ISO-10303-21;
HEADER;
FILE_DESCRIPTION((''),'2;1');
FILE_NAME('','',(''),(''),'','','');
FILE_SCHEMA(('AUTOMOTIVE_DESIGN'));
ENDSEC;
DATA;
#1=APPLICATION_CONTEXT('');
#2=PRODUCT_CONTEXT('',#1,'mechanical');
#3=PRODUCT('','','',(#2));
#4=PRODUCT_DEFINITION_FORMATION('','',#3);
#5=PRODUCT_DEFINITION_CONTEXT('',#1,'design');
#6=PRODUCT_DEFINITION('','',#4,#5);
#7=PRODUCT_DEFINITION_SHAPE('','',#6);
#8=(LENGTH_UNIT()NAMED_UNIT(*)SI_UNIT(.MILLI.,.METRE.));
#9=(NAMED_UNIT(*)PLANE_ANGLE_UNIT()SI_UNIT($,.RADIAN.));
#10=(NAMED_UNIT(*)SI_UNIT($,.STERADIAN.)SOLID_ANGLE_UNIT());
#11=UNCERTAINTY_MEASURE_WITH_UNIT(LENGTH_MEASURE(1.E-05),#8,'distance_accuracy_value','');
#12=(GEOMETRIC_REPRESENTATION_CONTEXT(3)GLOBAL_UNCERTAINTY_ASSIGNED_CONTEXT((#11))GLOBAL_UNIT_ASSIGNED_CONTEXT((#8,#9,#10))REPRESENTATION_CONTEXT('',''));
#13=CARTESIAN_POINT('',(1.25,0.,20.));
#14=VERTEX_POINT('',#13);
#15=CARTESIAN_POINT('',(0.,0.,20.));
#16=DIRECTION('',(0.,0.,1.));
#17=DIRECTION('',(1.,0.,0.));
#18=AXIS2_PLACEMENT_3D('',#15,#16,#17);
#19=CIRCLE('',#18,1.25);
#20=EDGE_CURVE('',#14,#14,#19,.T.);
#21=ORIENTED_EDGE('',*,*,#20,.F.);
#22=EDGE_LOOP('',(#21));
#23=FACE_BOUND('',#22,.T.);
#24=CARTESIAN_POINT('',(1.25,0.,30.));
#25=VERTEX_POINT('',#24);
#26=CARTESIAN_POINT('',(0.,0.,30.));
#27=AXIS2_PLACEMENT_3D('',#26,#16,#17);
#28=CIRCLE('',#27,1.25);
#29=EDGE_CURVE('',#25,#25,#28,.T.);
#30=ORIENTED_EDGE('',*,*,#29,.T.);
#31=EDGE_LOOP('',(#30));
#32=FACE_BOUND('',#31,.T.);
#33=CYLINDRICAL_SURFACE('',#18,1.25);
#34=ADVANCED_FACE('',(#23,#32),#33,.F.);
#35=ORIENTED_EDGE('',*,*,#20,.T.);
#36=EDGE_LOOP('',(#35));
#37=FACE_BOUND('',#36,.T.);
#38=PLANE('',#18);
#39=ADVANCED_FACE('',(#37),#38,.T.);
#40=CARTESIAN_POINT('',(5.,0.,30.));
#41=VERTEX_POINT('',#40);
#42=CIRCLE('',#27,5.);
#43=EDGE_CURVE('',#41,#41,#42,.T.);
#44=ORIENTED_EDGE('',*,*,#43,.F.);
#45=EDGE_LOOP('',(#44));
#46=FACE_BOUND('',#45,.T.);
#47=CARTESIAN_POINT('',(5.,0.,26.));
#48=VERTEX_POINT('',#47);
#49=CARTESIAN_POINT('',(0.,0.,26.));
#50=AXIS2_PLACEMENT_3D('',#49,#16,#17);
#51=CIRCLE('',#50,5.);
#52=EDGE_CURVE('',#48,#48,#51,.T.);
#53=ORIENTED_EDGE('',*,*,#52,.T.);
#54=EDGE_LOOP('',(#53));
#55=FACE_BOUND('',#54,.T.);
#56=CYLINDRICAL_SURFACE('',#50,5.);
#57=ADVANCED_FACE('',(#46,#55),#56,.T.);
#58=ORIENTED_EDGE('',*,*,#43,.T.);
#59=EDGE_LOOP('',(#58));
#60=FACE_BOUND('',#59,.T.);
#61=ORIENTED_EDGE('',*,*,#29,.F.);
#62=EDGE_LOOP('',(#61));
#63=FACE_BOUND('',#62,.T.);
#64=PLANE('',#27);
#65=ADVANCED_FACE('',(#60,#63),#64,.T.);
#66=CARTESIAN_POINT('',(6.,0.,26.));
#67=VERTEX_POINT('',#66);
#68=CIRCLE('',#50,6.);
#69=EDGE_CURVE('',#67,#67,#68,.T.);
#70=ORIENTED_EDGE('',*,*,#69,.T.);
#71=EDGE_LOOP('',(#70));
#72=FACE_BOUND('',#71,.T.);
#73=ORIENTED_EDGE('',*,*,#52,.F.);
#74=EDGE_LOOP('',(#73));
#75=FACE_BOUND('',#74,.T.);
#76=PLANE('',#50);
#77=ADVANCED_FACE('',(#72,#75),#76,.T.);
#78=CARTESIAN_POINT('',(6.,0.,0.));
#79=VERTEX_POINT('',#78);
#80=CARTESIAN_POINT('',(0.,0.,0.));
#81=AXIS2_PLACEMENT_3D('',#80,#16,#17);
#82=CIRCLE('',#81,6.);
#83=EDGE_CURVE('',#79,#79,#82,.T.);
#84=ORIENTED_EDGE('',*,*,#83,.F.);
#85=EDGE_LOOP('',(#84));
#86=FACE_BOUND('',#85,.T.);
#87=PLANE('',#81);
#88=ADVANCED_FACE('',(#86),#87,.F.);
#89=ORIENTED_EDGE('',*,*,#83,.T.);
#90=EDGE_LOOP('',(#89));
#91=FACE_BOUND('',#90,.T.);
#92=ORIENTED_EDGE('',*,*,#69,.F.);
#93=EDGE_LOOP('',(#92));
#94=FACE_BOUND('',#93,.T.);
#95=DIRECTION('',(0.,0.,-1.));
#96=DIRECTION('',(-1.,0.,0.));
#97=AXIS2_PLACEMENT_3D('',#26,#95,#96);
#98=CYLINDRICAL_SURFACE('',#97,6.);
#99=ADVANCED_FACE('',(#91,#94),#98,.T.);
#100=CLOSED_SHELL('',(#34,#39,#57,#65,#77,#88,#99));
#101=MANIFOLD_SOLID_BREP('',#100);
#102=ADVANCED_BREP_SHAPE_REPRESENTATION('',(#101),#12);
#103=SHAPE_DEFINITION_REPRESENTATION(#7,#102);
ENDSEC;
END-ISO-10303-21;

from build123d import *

# Parameters (mm, degrees)
SKETCH_1_R          = 6
EXTRUDE_1_DEPTH     = 30
CUT_EXTRUDE_START   = -4
SKETCH_2_R          = 6
SKETCH_2_R_2        = 5
CUT_EXTRUDE_1_DEPTH = 4
SKETCH_3_R          = 1.25
CUT_EXTRUDE_2_DEPTH = 10


with BuildPart() as part:
    # ｽｹｯﾁ1 → ﾎﾞｽ - 押し出し1 (new body)
    with BuildSketch(Plane.XY):
        Circle(SKETCH_1_R)
    extrude(amount=EXTRUDE_1_DEPTH)

    # ｽｹｯﾁ2 → ｶｯﾄ - 押し出し1 (cut)
    with BuildSketch(Plane.XY.offset(30).offset(CUT_EXTRUDE_START)):
        Circle(SKETCH_2_R)
        Circle(SKETCH_2_R_2, mode=Mode.SUBTRACT)
    extrude(amount=CUT_EXTRUDE_1_DEPTH, mode=Mode.SUBTRACT)

    # ｽｹｯﾁ3 → ｶｯﾄ - 押し出し2 (cut)
    with BuildSketch(Plane.XY.offset(30)):
        Circle(SKETCH_3_R)
    extrude(amount=-CUT_EXTRUDE_2_DEPTH, mode=Mode.SUBTRACT)


solid = part.part
